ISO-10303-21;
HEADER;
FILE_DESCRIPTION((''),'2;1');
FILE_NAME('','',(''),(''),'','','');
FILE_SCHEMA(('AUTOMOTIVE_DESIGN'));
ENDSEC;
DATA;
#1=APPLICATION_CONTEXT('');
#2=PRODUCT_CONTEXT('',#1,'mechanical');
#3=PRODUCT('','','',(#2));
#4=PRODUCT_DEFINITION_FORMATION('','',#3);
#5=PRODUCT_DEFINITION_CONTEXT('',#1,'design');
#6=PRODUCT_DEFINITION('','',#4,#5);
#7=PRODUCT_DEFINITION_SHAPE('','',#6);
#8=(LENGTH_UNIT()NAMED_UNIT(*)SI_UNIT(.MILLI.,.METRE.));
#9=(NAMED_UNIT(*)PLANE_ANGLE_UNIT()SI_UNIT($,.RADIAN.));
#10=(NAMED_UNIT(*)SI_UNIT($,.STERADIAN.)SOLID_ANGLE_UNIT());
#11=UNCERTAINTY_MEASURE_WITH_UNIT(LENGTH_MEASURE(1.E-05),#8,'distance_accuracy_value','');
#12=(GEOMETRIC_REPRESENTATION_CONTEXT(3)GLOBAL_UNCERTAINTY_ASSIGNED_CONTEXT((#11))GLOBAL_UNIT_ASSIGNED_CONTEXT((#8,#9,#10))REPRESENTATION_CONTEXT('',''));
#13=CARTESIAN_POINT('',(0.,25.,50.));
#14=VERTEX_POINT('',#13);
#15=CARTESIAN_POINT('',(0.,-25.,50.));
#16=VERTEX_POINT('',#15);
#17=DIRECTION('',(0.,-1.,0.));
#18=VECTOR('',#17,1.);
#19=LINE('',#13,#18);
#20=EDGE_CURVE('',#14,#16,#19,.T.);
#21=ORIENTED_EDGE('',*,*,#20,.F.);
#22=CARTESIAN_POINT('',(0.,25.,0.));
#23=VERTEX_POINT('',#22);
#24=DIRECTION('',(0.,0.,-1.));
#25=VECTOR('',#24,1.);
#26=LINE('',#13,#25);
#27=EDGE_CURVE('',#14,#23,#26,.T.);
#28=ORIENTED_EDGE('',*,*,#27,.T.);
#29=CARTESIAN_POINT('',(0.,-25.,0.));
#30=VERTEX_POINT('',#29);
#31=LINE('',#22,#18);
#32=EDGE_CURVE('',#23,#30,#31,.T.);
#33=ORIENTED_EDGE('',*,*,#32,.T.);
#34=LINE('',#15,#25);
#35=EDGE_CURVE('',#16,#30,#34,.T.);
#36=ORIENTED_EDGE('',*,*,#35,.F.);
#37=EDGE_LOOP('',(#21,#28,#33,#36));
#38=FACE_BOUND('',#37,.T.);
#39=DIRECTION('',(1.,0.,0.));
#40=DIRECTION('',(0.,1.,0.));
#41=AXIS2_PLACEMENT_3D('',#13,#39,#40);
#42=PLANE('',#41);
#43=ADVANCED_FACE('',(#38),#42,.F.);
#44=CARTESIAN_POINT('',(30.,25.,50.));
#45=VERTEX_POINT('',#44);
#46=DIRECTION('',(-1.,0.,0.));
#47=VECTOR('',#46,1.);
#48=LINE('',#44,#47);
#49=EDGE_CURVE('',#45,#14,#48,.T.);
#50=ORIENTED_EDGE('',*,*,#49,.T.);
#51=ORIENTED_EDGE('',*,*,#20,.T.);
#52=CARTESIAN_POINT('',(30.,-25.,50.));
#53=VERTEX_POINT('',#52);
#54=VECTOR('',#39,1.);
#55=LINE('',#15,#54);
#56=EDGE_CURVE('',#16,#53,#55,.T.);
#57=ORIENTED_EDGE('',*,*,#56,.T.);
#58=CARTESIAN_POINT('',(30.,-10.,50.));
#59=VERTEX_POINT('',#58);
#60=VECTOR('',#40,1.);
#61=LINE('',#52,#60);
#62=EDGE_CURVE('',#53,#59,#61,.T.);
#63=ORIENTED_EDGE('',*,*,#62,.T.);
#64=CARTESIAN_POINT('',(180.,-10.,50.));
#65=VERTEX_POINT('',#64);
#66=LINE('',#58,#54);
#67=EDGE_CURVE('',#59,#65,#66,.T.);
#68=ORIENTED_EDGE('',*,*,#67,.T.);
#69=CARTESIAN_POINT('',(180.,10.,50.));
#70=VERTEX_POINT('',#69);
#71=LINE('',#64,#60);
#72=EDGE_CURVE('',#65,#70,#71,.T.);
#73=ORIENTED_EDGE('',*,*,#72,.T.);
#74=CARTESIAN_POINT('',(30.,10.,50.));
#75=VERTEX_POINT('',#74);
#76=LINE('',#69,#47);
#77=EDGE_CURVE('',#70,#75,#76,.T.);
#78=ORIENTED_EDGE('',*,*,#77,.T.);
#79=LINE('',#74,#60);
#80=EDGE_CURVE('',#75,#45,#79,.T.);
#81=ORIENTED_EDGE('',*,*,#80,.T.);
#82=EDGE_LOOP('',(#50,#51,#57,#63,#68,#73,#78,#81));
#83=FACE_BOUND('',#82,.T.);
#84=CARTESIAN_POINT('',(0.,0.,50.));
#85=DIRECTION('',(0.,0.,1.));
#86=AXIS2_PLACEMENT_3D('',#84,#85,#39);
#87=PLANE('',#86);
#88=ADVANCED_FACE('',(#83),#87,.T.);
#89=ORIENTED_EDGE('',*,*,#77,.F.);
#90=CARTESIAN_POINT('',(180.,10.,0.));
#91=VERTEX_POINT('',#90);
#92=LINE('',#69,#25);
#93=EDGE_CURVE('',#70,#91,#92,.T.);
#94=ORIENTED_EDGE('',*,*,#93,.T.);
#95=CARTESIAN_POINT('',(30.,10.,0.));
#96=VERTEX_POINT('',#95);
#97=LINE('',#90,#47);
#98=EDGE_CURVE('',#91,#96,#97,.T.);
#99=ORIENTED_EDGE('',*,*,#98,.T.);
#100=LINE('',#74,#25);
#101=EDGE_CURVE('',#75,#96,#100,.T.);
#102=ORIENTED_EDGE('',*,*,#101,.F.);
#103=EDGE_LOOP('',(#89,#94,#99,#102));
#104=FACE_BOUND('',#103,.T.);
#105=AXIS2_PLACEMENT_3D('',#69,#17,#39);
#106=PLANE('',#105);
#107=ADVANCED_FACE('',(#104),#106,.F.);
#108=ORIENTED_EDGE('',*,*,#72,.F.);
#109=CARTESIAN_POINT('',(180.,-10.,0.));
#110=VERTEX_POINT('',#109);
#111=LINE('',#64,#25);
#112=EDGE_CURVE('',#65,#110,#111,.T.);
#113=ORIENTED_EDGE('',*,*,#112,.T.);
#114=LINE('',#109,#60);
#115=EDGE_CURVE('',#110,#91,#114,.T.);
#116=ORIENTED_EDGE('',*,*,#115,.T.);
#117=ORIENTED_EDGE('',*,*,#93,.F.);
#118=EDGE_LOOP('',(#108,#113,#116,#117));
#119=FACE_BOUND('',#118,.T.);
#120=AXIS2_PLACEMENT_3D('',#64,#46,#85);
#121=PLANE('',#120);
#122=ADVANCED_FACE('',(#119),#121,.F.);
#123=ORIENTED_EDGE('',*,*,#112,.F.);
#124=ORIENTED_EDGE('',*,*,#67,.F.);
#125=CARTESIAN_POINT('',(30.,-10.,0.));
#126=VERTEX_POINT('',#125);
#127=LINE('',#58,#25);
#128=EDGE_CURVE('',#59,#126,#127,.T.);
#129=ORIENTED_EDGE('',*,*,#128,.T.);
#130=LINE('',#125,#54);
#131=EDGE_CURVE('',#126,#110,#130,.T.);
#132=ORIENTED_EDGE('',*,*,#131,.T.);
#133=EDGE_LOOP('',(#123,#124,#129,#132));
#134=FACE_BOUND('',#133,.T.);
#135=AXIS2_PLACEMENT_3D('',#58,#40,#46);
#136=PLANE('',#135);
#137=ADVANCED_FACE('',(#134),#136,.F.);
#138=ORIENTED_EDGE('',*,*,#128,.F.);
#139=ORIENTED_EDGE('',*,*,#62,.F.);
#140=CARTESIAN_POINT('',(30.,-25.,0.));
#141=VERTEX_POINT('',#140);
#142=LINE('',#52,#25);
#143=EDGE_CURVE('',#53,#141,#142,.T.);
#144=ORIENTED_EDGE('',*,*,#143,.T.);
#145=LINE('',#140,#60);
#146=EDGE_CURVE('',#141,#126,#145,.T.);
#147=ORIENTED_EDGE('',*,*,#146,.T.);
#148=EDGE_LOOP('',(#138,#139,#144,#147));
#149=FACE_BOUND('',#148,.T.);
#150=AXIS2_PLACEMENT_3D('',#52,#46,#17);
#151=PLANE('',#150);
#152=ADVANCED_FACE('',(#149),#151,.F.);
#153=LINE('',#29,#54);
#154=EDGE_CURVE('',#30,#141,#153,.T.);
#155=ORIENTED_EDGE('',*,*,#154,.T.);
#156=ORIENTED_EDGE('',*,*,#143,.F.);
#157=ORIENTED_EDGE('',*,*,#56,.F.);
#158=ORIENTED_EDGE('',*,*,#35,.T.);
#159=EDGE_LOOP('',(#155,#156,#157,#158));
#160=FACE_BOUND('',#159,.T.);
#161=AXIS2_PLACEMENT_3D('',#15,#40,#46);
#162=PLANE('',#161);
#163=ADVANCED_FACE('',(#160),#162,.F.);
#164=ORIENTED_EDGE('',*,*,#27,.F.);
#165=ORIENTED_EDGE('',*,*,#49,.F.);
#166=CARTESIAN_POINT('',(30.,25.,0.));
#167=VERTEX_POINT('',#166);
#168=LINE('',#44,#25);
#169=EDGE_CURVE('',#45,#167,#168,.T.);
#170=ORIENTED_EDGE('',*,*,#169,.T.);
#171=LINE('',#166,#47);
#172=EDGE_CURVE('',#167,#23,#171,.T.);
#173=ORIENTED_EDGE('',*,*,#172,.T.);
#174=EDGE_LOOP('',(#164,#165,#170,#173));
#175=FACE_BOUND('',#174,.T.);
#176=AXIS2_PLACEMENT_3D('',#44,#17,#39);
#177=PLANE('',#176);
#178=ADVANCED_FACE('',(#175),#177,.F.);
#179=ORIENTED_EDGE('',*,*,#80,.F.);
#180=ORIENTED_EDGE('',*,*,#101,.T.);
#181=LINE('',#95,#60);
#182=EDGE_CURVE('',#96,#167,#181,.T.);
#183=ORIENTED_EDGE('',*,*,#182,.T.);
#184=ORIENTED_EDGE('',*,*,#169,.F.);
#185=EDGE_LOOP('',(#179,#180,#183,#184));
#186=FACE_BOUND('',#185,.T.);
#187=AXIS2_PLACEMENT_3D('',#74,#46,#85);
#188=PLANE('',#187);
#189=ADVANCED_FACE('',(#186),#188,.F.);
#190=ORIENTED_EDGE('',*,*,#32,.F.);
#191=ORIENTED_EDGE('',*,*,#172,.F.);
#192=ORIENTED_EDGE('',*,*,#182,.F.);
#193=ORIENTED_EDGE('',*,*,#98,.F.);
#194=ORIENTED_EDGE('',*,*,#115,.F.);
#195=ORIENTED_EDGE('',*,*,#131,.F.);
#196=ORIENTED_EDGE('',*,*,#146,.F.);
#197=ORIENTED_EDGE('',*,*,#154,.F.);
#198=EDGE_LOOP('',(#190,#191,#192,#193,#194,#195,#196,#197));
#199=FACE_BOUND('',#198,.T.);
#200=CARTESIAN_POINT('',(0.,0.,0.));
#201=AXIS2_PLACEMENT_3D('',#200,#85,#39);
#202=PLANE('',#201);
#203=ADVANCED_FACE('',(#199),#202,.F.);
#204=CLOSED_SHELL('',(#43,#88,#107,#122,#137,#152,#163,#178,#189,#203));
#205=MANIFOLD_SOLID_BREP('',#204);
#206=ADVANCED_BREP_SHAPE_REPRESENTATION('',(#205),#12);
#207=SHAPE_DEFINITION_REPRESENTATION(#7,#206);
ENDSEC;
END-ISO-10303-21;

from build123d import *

# Parameters (mm, degrees)
BOSS_EXTRUDE1_DEPTH = 50


with BuildPart() as part:
    # Sketch1 → Boss-Extrude1 (new body)
    with BuildSketch(Plane.XY):
        Polygon((0, 25), (0, -25), (30, -25), (30, -10), (180, -10), (180, 10), (30, 10), (30, 25), align=None)
    extrude(amount=BOSS_EXTRUDE1_DEPTH)


solid = part.part
